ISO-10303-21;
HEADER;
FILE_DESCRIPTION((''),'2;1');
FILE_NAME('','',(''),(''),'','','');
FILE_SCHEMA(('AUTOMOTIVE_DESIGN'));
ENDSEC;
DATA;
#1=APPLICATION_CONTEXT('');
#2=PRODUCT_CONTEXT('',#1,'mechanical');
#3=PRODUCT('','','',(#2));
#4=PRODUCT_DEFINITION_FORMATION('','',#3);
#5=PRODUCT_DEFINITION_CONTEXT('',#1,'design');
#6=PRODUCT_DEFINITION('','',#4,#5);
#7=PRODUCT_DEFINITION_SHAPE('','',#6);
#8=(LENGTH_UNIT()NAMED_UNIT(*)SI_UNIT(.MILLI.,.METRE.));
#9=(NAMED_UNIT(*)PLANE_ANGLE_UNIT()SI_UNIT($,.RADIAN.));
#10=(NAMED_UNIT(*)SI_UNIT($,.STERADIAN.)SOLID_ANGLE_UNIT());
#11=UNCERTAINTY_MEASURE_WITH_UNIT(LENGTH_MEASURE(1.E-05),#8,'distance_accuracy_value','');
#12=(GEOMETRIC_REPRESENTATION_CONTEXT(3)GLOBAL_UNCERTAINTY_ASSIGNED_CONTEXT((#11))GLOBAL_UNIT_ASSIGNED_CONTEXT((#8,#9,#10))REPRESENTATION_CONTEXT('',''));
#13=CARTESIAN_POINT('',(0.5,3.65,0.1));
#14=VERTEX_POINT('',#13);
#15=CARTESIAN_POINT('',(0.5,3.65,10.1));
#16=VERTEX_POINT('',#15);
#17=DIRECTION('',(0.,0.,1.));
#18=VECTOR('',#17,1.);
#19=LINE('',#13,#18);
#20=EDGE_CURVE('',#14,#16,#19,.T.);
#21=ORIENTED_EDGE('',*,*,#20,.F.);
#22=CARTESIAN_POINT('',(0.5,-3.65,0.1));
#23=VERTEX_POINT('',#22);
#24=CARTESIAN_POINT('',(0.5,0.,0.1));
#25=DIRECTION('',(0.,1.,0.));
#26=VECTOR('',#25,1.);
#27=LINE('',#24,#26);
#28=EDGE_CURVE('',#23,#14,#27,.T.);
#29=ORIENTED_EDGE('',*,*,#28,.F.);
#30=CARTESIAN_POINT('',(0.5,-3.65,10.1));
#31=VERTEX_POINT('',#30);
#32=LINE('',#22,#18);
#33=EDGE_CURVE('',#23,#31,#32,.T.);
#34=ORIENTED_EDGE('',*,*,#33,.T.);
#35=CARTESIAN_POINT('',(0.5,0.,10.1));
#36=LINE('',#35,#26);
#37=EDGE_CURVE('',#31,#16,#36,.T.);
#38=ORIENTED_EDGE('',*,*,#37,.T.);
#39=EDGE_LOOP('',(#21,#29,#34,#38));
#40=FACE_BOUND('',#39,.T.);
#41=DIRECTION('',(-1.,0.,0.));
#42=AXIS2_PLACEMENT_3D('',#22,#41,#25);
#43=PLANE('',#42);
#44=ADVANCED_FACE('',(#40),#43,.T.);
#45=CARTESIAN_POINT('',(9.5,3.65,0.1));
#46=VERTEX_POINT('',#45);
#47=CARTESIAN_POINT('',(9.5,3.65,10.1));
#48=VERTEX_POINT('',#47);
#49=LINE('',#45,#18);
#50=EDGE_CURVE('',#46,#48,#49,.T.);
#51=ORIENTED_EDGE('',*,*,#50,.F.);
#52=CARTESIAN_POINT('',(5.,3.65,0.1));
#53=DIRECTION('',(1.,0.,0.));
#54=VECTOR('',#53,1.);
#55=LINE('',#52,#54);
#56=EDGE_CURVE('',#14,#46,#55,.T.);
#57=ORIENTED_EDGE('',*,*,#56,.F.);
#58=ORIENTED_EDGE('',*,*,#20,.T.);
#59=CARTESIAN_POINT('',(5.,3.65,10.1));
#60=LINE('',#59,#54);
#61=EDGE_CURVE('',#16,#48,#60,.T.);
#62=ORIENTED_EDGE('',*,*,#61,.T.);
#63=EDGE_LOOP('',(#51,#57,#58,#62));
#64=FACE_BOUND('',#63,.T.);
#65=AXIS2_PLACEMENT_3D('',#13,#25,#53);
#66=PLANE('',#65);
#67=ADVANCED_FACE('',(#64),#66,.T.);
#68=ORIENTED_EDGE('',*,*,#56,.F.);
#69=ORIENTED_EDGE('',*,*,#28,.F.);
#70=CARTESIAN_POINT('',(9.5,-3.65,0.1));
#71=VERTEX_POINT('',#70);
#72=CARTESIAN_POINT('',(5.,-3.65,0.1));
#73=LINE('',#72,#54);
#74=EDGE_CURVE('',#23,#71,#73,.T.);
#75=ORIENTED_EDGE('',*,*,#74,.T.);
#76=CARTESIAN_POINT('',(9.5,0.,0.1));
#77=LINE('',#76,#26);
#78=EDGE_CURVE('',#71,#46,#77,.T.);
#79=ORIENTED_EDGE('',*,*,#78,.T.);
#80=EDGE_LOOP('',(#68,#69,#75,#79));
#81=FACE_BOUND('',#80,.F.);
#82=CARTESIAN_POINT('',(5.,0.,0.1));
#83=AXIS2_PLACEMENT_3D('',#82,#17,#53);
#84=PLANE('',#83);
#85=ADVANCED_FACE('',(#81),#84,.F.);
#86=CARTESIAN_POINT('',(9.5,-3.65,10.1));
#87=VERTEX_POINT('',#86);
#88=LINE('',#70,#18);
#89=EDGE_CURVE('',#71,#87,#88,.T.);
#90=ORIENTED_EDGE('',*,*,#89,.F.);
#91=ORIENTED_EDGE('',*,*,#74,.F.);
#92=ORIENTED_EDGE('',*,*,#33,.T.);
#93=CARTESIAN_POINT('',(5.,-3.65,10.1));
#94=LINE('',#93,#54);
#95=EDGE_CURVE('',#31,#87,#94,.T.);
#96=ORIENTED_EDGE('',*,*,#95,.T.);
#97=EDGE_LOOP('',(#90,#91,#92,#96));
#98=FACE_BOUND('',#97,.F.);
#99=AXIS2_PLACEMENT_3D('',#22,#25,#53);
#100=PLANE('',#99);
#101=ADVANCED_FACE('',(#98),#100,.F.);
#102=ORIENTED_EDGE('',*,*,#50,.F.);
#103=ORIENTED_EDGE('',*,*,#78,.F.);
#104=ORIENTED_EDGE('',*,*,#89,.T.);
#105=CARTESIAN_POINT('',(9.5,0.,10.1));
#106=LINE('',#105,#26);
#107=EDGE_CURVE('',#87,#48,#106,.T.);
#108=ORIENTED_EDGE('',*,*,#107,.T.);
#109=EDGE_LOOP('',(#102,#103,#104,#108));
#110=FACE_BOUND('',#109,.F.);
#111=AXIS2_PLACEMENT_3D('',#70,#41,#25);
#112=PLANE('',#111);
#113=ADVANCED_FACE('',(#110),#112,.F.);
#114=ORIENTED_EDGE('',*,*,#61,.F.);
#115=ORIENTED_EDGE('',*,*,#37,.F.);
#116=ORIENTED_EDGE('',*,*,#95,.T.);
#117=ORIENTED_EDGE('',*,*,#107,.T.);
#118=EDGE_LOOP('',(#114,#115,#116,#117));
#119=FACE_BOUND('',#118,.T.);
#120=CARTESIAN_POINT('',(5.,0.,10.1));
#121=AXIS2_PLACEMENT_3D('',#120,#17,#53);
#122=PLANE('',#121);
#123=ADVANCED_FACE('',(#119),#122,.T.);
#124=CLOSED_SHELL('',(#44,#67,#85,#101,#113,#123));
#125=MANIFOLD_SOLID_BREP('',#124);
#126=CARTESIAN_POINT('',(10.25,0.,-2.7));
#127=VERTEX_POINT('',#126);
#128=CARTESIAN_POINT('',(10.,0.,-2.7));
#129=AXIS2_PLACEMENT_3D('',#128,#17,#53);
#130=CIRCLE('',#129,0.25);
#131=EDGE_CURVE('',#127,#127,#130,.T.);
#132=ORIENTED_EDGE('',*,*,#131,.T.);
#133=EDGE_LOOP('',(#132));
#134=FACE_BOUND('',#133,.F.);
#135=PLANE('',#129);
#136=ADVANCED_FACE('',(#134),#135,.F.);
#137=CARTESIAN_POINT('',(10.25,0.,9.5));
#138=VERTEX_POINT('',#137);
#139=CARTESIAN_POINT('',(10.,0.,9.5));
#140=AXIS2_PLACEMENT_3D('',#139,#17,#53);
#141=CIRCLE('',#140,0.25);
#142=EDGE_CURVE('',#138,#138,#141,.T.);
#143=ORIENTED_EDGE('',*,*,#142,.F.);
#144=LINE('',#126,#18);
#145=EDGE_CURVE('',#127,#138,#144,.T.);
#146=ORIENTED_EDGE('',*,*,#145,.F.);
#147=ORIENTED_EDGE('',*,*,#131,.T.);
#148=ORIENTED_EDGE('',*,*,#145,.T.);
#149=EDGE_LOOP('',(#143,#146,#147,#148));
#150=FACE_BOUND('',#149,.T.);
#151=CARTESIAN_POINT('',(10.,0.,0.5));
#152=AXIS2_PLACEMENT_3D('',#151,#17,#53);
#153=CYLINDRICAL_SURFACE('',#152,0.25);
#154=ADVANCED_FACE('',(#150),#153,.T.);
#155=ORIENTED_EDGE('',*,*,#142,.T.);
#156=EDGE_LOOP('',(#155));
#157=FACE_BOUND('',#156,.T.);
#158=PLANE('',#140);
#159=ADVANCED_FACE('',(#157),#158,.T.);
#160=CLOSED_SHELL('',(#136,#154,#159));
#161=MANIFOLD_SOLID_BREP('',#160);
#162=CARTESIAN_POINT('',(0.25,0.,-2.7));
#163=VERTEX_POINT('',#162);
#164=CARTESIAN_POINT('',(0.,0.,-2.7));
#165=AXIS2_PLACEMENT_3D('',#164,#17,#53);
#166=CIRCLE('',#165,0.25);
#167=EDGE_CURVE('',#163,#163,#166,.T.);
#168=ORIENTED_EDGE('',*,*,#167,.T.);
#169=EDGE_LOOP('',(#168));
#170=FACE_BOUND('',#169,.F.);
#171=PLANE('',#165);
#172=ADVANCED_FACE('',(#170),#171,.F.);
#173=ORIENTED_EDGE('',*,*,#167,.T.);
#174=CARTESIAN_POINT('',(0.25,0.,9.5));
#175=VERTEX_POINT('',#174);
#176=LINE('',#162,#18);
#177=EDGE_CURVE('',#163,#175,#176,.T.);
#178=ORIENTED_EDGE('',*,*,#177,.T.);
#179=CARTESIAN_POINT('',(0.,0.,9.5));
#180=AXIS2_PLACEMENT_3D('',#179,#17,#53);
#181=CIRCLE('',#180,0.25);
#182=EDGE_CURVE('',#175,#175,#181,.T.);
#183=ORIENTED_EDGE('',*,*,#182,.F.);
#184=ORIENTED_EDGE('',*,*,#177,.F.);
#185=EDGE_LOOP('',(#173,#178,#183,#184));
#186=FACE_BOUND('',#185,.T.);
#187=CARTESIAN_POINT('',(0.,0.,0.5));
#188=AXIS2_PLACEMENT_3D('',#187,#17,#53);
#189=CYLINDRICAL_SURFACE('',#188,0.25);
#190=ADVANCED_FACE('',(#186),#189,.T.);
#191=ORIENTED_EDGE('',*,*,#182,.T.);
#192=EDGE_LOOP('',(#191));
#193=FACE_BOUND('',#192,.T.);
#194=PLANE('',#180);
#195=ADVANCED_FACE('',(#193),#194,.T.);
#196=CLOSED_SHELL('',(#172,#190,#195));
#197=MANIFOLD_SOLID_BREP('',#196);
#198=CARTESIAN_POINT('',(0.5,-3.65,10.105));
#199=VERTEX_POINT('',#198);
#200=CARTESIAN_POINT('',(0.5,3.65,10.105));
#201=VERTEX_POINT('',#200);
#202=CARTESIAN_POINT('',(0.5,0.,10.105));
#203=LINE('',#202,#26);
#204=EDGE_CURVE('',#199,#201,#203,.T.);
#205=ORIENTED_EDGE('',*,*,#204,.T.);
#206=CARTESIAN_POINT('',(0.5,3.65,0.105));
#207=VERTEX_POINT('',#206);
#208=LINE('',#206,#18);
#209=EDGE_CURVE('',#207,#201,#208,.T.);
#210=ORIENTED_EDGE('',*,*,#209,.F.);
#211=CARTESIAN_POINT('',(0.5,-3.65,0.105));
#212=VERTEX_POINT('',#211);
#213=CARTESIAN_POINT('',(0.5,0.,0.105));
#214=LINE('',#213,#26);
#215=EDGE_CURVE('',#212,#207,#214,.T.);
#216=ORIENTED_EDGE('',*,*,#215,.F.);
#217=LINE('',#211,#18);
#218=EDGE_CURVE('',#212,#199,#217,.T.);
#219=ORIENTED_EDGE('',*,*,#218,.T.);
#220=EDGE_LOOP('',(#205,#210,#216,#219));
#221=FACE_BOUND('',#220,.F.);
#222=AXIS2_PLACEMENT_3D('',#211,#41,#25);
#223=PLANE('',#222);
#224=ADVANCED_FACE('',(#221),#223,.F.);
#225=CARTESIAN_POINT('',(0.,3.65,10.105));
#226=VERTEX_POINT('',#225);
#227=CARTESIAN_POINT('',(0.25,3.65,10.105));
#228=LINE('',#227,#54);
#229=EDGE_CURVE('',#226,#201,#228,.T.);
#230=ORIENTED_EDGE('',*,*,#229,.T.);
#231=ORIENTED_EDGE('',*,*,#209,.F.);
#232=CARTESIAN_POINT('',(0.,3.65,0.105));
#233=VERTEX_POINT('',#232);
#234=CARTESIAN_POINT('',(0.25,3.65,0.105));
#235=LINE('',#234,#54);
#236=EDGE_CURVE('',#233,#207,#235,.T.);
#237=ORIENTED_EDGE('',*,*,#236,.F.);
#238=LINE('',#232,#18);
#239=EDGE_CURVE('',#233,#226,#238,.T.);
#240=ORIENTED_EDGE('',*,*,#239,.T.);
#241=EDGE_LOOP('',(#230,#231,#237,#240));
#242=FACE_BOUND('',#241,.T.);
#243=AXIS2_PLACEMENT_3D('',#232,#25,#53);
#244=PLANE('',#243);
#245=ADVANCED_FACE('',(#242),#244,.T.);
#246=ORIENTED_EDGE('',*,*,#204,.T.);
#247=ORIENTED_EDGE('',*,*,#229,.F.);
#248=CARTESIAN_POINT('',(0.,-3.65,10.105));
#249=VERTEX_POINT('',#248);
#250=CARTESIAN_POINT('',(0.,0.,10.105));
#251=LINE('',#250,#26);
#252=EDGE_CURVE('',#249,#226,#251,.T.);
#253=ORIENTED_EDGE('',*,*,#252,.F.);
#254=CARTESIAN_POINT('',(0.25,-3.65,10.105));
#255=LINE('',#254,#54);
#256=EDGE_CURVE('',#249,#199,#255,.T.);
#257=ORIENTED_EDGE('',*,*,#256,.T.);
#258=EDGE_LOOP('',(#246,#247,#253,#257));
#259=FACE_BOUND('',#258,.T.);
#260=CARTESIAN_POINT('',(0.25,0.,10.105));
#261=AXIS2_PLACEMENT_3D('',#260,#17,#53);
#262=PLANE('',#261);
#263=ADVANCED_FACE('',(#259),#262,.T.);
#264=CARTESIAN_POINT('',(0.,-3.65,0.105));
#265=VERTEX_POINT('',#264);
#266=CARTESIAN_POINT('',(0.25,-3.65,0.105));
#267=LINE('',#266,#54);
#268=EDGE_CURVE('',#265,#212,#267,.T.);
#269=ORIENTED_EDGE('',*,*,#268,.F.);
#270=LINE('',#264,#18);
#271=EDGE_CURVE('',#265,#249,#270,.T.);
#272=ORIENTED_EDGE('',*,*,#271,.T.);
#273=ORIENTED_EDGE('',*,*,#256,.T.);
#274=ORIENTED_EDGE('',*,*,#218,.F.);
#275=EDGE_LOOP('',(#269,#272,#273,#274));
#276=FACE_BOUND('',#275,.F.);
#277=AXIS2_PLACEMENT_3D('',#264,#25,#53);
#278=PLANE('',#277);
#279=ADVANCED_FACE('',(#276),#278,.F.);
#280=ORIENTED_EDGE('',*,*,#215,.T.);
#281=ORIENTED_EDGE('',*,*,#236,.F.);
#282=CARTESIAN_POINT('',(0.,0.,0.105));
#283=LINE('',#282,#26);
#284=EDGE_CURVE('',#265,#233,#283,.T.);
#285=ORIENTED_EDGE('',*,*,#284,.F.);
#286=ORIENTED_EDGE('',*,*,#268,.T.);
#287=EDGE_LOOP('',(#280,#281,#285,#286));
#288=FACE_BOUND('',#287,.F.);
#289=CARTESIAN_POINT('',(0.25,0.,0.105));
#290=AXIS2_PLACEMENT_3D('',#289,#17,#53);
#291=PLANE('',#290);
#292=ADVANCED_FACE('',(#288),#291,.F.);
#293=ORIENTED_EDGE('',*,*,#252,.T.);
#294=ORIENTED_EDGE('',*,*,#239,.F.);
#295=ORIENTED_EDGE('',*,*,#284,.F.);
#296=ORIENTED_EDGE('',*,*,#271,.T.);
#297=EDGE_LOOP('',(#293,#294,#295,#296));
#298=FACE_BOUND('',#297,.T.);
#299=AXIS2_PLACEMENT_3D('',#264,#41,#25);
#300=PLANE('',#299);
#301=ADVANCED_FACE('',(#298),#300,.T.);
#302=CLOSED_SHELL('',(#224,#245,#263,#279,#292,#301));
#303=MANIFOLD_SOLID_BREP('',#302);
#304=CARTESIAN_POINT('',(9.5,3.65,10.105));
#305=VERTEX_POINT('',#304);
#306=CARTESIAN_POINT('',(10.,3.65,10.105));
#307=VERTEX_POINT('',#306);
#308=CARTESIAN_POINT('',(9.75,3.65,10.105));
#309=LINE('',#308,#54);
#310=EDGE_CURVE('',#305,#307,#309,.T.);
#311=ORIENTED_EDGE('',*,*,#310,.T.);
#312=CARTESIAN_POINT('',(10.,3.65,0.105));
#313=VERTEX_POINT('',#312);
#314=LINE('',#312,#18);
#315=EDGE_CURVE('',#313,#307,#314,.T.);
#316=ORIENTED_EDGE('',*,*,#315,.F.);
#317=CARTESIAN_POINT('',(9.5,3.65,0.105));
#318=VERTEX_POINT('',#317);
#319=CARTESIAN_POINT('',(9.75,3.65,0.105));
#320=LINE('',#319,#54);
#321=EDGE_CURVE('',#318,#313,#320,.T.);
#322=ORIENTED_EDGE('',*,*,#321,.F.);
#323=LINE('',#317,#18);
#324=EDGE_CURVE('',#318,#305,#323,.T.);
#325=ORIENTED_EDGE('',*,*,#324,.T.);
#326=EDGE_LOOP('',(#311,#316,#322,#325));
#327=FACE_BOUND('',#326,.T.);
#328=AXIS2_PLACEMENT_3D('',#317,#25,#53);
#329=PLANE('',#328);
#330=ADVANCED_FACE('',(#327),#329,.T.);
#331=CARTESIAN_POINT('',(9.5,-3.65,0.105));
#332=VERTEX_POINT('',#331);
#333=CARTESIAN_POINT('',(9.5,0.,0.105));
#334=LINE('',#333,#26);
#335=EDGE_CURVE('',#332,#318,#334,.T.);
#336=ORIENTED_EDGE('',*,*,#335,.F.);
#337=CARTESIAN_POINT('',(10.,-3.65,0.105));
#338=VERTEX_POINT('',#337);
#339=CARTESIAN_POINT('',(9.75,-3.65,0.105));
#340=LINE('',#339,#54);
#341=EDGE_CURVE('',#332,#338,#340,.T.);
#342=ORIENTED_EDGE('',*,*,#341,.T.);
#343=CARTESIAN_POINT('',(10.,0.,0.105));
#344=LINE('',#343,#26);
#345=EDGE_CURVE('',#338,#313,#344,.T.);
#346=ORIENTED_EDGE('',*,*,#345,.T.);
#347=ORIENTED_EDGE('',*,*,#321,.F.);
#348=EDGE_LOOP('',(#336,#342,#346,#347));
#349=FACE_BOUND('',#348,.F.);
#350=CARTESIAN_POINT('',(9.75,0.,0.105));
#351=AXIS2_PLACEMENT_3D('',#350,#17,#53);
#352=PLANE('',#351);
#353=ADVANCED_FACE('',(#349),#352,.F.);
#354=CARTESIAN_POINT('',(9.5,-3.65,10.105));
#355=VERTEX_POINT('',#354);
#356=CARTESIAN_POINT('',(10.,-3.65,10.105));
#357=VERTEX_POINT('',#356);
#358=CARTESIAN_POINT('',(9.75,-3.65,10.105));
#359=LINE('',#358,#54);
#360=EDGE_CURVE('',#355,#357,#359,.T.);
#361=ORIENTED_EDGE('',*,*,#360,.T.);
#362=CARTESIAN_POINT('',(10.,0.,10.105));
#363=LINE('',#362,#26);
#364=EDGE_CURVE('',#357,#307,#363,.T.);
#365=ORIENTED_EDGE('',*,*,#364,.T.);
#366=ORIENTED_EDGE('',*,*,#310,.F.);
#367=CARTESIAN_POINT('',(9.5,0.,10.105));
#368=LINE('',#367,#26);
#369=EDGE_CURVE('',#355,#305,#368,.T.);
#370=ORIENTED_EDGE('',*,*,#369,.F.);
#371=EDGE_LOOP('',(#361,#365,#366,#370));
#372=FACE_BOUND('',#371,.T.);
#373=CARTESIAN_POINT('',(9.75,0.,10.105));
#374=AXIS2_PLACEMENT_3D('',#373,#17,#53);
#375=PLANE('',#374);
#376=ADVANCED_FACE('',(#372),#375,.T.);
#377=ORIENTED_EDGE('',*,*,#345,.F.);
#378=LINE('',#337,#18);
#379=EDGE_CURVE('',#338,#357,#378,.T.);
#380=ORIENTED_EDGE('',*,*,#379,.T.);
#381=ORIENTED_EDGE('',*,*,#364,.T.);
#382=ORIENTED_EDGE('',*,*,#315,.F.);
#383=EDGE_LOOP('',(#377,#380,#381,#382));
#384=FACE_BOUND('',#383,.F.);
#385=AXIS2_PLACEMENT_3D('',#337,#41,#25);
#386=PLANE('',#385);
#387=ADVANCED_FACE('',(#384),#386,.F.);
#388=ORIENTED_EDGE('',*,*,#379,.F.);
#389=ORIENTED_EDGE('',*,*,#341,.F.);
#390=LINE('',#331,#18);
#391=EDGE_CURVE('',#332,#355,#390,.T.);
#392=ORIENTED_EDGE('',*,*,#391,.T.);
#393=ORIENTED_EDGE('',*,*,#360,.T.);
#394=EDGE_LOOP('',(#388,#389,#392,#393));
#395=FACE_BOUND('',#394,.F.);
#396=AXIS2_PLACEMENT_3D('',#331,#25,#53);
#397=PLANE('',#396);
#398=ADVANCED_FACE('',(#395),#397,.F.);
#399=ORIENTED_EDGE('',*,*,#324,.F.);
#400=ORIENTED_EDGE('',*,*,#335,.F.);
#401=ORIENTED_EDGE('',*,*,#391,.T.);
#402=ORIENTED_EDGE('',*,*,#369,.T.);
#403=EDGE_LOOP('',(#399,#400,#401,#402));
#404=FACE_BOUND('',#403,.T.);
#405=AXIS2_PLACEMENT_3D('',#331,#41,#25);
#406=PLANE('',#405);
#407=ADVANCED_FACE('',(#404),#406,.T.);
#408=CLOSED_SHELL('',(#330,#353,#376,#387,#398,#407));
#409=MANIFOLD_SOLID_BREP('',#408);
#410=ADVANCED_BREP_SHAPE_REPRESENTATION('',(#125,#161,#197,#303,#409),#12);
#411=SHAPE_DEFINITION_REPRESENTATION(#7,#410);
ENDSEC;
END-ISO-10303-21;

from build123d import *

# Parameters (mm, degrees)
SKETCH_W          = 9
SKETCH_H          = 7.3
PAD_DEPTH         = 10
SKETCH001_R       = 0.25
PAD001_DEPTH      = 9
PAD001_DEPTH_BACK = 3.2
SKETCH002_W       = 0.5
SKETCH002_H       = 7.3
PAD002_DEPTH      = 10


with BuildPart() as pad:
    # Sketch → Pad (new body)
    with BuildSketch(Plane.XY.offset(0.1)):
        with Locations((5, 0)):
            Rectangle(SKETCH_W, SKETCH_H)
    extrude(amount=PAD_DEPTH)


with BuildPart() as pad001:
    # Sketch001 → Pad001 (new body, two sides)
    with BuildSketch(Plane.XY.offset(0.5)) as pad001_sk:
        Circle(SKETCH001_R)
        with Locations((10, 0)):
            Circle(SKETCH001_R)
    extrude(amount=PAD001_DEPTH)
    extrude(pad001_sk.sketch, amount=-PAD001_DEPTH_BACK)


with BuildPart() as pad002:
    # Sketch002 → Pad002 (new body)
    with BuildSketch(Plane.XY.offset(0.105)):
        with Locations((0.25, 0)):
            Rectangle(SKETCH002_W, SKETCH002_H)
        with Locations((9.75, 0)):
            Rectangle(SKETCH002_W, SKETCH002_H)
    extrude(amount=PAD002_DEPTH)


solid = Compound([pad.part, pad001.part, pad002.part])
